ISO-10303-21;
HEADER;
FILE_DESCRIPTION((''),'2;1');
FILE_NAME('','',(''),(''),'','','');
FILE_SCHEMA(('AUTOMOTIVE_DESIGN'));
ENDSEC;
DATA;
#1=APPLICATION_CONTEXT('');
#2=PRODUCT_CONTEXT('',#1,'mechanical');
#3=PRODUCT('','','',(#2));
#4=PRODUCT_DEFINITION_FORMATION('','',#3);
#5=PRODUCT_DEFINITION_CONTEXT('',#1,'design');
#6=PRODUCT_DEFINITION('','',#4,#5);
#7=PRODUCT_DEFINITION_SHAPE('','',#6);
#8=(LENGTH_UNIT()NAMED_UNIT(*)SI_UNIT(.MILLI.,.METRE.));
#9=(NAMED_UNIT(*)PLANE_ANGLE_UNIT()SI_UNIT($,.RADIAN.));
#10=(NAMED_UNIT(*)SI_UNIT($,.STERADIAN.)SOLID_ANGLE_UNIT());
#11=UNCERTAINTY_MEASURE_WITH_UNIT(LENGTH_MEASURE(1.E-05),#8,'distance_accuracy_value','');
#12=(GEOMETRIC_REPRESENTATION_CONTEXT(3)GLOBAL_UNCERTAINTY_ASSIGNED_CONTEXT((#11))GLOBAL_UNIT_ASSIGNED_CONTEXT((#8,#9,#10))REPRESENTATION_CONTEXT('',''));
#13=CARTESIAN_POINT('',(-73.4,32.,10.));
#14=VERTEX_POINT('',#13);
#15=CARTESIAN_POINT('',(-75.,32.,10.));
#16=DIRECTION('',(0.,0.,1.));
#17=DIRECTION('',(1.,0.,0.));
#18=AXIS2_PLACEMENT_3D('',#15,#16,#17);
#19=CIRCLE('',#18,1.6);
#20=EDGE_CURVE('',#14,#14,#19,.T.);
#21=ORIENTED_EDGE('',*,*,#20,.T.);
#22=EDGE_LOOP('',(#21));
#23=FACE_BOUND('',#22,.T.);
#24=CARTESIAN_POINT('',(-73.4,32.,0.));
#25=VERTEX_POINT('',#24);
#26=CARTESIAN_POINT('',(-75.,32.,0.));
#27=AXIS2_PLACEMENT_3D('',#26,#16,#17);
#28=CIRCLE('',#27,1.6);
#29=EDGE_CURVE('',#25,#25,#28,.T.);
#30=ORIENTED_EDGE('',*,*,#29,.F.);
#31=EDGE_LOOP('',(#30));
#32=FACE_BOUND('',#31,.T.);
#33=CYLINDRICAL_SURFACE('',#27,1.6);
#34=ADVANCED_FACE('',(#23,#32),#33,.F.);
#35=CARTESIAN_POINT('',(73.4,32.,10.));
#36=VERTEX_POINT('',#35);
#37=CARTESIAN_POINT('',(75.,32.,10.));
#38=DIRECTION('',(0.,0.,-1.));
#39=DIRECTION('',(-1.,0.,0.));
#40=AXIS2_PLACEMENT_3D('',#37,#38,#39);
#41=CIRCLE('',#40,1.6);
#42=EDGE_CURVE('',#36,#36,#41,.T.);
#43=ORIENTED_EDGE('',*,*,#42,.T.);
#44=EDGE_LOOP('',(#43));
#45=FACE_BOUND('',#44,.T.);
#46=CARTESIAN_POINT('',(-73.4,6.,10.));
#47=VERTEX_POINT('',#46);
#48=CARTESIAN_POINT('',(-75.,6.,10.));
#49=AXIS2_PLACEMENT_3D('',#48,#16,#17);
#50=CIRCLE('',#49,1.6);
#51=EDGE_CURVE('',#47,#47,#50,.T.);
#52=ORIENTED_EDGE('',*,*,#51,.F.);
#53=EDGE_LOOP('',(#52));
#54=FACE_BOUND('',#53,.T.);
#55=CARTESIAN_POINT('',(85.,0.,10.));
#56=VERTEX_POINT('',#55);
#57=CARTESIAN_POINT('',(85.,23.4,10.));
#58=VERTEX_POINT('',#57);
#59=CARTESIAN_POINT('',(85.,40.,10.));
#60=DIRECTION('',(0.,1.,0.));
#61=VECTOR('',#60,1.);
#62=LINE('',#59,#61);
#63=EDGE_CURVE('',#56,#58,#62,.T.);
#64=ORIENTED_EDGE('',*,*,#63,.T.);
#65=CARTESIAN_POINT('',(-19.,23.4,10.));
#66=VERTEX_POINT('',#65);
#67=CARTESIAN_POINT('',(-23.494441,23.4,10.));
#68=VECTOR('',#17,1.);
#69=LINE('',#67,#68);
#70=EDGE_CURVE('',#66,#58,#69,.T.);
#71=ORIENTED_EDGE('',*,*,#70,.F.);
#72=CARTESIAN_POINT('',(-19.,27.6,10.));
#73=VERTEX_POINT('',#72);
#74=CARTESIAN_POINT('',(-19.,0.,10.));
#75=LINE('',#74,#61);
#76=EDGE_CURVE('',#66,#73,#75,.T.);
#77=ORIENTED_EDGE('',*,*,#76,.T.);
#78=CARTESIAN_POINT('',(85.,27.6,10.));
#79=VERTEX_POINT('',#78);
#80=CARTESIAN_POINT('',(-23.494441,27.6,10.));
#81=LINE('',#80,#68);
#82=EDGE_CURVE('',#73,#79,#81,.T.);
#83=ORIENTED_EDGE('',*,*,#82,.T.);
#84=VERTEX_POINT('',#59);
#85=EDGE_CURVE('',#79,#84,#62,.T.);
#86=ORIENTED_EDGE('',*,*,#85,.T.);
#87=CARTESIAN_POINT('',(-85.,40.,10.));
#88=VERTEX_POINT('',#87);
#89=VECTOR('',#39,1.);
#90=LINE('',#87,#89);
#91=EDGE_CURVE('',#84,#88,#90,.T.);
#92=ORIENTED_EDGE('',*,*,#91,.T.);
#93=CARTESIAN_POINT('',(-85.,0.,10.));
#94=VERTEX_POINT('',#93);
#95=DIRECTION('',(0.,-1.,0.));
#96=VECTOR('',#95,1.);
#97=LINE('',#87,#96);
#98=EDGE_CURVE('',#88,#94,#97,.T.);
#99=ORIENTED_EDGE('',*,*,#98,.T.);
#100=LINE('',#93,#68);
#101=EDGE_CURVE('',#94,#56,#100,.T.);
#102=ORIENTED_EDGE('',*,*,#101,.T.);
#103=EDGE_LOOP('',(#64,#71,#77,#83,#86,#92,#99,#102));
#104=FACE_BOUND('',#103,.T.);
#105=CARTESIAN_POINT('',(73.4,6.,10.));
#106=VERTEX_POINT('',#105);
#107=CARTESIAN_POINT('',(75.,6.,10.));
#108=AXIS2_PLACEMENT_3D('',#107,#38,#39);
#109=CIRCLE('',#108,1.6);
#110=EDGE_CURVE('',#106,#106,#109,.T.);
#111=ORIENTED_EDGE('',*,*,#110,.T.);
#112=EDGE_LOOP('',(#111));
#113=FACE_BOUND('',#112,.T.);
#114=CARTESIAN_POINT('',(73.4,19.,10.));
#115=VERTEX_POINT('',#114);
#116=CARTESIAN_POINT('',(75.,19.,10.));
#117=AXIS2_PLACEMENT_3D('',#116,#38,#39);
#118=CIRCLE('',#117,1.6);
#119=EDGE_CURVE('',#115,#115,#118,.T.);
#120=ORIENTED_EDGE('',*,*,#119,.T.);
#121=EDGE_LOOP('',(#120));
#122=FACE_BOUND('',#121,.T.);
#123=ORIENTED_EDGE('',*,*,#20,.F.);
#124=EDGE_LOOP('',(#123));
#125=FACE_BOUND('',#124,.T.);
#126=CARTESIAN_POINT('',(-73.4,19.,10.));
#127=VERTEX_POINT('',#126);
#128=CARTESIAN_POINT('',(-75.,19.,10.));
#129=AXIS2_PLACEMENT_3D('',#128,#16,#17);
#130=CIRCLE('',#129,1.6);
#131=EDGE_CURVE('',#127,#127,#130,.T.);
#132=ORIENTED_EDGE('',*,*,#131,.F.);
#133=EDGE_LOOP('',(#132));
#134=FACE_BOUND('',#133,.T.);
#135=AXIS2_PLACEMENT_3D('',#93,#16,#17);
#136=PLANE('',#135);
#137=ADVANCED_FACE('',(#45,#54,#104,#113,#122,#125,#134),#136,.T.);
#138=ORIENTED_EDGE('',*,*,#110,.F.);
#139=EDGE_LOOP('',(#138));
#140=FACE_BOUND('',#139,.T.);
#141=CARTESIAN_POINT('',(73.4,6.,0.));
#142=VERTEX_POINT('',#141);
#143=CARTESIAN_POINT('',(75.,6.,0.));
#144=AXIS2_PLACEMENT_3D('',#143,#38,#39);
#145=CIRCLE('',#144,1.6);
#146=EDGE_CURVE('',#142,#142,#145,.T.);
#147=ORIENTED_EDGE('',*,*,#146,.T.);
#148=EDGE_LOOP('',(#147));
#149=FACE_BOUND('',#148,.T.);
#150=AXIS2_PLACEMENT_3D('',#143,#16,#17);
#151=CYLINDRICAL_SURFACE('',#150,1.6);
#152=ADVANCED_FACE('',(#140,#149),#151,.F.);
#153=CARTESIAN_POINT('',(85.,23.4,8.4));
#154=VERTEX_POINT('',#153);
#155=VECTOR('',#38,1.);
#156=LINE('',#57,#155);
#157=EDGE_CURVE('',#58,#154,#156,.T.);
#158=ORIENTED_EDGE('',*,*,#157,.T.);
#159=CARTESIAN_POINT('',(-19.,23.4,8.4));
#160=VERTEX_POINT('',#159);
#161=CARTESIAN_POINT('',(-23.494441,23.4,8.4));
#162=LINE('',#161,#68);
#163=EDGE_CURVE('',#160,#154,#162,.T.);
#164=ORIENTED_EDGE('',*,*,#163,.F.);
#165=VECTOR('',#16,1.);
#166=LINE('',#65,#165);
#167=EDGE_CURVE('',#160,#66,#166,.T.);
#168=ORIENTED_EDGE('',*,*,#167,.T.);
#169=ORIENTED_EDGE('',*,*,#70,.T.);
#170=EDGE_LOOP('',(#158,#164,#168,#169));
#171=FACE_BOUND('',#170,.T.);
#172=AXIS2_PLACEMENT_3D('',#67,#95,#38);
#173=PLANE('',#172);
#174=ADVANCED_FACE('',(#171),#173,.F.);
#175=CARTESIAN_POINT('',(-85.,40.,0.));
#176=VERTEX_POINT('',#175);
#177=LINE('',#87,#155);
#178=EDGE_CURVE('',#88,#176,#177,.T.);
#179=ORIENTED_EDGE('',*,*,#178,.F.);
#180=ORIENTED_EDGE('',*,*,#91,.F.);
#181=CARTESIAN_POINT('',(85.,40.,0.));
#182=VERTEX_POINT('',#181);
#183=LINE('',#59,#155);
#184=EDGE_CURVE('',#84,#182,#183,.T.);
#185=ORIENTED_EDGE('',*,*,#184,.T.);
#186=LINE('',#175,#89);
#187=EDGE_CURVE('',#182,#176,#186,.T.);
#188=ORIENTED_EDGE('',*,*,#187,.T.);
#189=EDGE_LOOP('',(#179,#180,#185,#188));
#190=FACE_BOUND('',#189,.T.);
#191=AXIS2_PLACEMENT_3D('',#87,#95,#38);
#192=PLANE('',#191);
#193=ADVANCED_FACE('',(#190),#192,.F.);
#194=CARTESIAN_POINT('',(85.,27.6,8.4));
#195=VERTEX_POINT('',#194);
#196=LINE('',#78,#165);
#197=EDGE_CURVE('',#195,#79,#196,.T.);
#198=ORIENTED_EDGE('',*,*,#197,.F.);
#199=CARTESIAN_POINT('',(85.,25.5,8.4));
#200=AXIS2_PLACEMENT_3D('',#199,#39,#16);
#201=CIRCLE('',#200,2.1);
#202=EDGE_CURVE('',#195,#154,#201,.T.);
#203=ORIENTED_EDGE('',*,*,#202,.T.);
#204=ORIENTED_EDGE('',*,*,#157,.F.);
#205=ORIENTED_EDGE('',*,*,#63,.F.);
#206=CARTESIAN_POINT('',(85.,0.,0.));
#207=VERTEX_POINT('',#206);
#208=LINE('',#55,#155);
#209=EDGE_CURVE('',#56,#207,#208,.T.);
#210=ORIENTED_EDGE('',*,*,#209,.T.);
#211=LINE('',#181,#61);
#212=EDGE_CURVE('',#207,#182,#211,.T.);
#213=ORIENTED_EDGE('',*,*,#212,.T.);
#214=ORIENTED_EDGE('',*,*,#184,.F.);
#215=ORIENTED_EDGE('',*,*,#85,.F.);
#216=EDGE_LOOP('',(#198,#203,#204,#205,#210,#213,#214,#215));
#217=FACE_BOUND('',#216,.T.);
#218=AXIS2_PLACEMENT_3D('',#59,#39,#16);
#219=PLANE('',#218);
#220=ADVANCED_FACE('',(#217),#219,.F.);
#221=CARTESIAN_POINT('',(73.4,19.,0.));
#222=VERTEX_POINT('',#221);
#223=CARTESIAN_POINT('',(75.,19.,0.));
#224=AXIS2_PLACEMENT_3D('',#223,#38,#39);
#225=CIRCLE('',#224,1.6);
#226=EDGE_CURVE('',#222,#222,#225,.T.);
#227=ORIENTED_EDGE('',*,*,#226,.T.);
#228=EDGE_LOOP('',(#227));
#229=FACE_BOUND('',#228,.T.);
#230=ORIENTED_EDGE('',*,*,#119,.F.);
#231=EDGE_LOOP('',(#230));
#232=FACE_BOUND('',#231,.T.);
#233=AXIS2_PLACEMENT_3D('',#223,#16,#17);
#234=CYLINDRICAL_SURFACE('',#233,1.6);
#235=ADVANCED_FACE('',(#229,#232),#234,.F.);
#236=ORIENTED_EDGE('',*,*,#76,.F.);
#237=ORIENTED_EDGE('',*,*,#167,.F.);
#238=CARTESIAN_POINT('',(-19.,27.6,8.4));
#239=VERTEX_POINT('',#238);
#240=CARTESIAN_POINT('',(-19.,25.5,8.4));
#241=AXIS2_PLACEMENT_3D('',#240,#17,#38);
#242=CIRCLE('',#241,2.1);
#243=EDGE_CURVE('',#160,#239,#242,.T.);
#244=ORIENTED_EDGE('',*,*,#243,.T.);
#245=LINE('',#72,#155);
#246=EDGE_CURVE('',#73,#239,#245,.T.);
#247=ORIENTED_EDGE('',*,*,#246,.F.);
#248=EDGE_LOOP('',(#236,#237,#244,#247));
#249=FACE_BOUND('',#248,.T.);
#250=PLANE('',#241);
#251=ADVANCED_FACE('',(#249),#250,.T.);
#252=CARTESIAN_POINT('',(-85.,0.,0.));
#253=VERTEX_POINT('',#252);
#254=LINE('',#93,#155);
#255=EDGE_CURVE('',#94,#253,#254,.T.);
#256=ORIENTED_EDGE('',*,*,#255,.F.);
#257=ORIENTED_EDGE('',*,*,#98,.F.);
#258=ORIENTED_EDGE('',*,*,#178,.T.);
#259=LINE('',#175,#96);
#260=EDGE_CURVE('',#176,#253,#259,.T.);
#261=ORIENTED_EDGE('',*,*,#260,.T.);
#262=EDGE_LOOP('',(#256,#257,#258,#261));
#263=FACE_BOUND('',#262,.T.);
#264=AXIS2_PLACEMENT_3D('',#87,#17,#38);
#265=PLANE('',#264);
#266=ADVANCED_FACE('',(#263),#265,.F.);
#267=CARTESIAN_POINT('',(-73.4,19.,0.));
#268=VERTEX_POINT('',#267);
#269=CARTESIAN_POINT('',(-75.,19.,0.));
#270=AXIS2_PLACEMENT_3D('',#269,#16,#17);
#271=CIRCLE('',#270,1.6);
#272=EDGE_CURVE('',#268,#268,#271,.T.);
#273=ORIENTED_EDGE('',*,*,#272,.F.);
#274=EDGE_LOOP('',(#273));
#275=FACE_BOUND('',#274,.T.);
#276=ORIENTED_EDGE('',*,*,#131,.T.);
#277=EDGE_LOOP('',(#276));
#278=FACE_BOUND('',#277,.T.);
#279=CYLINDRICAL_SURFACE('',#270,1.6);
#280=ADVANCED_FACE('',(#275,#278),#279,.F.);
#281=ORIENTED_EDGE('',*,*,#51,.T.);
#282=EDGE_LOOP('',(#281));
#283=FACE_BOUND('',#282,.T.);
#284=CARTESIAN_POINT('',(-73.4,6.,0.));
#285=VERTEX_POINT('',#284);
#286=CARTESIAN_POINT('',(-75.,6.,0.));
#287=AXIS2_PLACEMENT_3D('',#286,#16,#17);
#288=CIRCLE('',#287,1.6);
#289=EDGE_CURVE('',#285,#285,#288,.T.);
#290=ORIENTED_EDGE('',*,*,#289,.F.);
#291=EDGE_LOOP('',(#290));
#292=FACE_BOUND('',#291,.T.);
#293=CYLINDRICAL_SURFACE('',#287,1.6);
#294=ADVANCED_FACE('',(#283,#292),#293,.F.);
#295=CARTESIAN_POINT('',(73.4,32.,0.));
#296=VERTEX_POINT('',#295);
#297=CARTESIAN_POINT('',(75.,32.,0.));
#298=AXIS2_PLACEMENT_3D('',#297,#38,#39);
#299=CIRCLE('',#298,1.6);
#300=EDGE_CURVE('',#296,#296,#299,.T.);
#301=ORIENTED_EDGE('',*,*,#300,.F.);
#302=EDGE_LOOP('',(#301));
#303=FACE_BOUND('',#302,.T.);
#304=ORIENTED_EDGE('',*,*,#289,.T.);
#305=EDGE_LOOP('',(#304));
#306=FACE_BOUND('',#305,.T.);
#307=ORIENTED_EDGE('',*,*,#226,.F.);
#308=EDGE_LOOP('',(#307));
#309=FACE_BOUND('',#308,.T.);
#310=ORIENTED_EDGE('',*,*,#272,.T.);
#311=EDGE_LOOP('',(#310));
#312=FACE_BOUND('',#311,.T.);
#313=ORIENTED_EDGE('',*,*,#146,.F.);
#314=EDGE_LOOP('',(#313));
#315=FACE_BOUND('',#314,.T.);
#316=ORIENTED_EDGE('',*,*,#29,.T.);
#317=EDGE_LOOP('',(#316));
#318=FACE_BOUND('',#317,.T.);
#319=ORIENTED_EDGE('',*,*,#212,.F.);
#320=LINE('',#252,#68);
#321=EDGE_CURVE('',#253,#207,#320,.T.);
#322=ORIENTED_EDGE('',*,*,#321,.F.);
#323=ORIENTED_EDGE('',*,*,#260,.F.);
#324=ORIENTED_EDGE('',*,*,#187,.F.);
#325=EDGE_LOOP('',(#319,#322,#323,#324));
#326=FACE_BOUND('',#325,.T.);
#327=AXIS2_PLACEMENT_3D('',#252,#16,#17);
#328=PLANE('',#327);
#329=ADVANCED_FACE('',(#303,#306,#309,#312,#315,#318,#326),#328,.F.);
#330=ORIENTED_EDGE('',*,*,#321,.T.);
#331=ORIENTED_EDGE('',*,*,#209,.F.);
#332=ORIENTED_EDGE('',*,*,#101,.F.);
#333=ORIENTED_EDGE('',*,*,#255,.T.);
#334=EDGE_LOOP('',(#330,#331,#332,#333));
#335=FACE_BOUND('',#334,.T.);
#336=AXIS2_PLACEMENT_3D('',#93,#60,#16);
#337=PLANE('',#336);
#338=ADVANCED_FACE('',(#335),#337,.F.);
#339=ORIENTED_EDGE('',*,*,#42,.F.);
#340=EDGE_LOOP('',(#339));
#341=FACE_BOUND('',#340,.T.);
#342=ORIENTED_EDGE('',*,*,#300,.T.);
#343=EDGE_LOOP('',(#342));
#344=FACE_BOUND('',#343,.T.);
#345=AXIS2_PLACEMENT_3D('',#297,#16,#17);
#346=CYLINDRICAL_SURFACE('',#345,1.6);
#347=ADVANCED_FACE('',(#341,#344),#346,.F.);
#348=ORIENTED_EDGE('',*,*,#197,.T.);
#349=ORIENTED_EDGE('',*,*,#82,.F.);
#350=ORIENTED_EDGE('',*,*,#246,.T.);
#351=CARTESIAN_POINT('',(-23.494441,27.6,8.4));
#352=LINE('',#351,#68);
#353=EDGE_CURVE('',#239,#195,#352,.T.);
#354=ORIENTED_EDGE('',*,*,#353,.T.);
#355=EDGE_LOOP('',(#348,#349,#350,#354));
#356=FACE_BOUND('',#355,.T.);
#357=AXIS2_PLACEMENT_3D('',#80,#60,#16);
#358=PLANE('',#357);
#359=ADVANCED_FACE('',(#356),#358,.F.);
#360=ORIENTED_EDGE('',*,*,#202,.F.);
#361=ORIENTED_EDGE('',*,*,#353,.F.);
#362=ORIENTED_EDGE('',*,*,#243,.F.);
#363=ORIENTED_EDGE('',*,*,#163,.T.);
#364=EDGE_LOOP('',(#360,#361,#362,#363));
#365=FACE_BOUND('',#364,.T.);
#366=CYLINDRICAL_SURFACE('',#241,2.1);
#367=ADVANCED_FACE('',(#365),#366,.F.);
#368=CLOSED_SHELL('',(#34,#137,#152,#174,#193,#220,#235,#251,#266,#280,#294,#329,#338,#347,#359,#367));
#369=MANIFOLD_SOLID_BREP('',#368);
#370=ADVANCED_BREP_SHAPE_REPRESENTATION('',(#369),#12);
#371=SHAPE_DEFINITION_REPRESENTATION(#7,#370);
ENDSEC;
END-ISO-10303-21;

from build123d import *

# Parameters (mm, degrees)
SKETCH1_W                 = 170
SKETCH1_H                 = 40
BOSS_EXTRUDE1_DEPTH       = 10
SKETCH2_R                 = 1.6
CUT_M3_HOLE_DEPTH         = 11
LPATTERN1_COUNT           = 3
LPATTERN1_PITCH           = 13
LPATTERN1_COPY_1_SKETCH_R = 1.6
LPATTERN1_COPY_1_DEPTH    = 11
LPATTERN1_COPY_2_SKETCH_R = 1.6
LPATTERN1_COPY_2_DEPTH    = 11
SKETCH3_R                 = 2.1
CUT_TUBE_SLOT_DEPTH       = 104
SKETCH4_W                 = 1.6
SKETCH4_H                 = 4.2
CUT_EXTRUDE3_DEPTH        = 104


with BuildPart() as part:
    # Sketch1 → Boss-Extrude1 (new body)
    with BuildSketch(Plane.XY):
        with Locations((0, 20)):
            Rectangle(SKETCH1_W, SKETCH1_H)
    extrude(amount=BOSS_EXTRUDE1_DEPTH)

    # Sketch2 → Cut-M3 Hole (cut, through all)
    with BuildSketch(Plane.XY.offset(10)):
        with Locations((-75, 6)):
            Circle(SKETCH2_R)
    cut_m3_hole = extrude(amount=-CUT_M3_HOLE_DEPTH, mode=Mode.SUBTRACT)

    # Mirror1: Cut-M3 Hole across plane
    add(cut_m3_hole.mirror(Plane(origin=(0, 0, 0), x_dir=(0, 0, 1), z_dir=(1, 0, 0))), mode=Mode.SUBTRACT)

    # LPattern1: Cut-M3 Hole ×3
    with Locations(*[(0, i * LPATTERN1_PITCH, 0) for i in range(1, LPATTERN1_COUNT)]):
        add(cut_m3_hole, mode=Mode.SUBTRACT)

    # LPattern1 copy 1 sketch → LPattern1 copy 1 (cut, through all)
    with BuildSketch(Plane(origin=(0, 13, 10), x_dir=(-1, 0, 0), z_dir=(0, 0, 1))):
        with Locations((-75, -6)):
            Circle(LPATTERN1_COPY_1_SKETCH_R)
    extrude(amount=-LPATTERN1_COPY_1_DEPTH, mode=Mode.SUBTRACT)

    # LPattern1 copy 2 sketch → LPattern1 copy 2 (cut, through all)
    with BuildSketch(Plane(origin=(0, 26, 10), x_dir=(-1, 0, 0), z_dir=(0, 0, 1))):
        with Locations((-75, -6)):
            Circle(LPATTERN1_COPY_2_SKETCH_R)
    extrude(amount=-LPATTERN1_COPY_2_DEPTH, mode=Mode.SUBTRACT)

    # Sketch3 → Cut-Tube Slot (cut)
    with BuildSketch(Plane(origin=(85, 0, 0), x_dir=(0, 0, -1), z_dir=(1, 0, 0))):
        with Locations((-8.4, 25.5)):
            Circle(SKETCH3_R)
    extrude(amount=-CUT_TUBE_SLOT_DEPTH, mode=Mode.SUBTRACT)

    # Sketch4 → Cut-Extrude3 (cut)
    with BuildSketch(Plane(origin=(85, 0, 0), x_dir=(0, 0, -1), z_dir=(1, 0, 0))):
        with Locations((-9.2, 25.5)):
            Rectangle(SKETCH4_W, SKETCH4_H)
    extrude(amount=-CUT_EXTRUDE3_DEPTH, mode=Mode.SUBTRACT)


solid = part.part
